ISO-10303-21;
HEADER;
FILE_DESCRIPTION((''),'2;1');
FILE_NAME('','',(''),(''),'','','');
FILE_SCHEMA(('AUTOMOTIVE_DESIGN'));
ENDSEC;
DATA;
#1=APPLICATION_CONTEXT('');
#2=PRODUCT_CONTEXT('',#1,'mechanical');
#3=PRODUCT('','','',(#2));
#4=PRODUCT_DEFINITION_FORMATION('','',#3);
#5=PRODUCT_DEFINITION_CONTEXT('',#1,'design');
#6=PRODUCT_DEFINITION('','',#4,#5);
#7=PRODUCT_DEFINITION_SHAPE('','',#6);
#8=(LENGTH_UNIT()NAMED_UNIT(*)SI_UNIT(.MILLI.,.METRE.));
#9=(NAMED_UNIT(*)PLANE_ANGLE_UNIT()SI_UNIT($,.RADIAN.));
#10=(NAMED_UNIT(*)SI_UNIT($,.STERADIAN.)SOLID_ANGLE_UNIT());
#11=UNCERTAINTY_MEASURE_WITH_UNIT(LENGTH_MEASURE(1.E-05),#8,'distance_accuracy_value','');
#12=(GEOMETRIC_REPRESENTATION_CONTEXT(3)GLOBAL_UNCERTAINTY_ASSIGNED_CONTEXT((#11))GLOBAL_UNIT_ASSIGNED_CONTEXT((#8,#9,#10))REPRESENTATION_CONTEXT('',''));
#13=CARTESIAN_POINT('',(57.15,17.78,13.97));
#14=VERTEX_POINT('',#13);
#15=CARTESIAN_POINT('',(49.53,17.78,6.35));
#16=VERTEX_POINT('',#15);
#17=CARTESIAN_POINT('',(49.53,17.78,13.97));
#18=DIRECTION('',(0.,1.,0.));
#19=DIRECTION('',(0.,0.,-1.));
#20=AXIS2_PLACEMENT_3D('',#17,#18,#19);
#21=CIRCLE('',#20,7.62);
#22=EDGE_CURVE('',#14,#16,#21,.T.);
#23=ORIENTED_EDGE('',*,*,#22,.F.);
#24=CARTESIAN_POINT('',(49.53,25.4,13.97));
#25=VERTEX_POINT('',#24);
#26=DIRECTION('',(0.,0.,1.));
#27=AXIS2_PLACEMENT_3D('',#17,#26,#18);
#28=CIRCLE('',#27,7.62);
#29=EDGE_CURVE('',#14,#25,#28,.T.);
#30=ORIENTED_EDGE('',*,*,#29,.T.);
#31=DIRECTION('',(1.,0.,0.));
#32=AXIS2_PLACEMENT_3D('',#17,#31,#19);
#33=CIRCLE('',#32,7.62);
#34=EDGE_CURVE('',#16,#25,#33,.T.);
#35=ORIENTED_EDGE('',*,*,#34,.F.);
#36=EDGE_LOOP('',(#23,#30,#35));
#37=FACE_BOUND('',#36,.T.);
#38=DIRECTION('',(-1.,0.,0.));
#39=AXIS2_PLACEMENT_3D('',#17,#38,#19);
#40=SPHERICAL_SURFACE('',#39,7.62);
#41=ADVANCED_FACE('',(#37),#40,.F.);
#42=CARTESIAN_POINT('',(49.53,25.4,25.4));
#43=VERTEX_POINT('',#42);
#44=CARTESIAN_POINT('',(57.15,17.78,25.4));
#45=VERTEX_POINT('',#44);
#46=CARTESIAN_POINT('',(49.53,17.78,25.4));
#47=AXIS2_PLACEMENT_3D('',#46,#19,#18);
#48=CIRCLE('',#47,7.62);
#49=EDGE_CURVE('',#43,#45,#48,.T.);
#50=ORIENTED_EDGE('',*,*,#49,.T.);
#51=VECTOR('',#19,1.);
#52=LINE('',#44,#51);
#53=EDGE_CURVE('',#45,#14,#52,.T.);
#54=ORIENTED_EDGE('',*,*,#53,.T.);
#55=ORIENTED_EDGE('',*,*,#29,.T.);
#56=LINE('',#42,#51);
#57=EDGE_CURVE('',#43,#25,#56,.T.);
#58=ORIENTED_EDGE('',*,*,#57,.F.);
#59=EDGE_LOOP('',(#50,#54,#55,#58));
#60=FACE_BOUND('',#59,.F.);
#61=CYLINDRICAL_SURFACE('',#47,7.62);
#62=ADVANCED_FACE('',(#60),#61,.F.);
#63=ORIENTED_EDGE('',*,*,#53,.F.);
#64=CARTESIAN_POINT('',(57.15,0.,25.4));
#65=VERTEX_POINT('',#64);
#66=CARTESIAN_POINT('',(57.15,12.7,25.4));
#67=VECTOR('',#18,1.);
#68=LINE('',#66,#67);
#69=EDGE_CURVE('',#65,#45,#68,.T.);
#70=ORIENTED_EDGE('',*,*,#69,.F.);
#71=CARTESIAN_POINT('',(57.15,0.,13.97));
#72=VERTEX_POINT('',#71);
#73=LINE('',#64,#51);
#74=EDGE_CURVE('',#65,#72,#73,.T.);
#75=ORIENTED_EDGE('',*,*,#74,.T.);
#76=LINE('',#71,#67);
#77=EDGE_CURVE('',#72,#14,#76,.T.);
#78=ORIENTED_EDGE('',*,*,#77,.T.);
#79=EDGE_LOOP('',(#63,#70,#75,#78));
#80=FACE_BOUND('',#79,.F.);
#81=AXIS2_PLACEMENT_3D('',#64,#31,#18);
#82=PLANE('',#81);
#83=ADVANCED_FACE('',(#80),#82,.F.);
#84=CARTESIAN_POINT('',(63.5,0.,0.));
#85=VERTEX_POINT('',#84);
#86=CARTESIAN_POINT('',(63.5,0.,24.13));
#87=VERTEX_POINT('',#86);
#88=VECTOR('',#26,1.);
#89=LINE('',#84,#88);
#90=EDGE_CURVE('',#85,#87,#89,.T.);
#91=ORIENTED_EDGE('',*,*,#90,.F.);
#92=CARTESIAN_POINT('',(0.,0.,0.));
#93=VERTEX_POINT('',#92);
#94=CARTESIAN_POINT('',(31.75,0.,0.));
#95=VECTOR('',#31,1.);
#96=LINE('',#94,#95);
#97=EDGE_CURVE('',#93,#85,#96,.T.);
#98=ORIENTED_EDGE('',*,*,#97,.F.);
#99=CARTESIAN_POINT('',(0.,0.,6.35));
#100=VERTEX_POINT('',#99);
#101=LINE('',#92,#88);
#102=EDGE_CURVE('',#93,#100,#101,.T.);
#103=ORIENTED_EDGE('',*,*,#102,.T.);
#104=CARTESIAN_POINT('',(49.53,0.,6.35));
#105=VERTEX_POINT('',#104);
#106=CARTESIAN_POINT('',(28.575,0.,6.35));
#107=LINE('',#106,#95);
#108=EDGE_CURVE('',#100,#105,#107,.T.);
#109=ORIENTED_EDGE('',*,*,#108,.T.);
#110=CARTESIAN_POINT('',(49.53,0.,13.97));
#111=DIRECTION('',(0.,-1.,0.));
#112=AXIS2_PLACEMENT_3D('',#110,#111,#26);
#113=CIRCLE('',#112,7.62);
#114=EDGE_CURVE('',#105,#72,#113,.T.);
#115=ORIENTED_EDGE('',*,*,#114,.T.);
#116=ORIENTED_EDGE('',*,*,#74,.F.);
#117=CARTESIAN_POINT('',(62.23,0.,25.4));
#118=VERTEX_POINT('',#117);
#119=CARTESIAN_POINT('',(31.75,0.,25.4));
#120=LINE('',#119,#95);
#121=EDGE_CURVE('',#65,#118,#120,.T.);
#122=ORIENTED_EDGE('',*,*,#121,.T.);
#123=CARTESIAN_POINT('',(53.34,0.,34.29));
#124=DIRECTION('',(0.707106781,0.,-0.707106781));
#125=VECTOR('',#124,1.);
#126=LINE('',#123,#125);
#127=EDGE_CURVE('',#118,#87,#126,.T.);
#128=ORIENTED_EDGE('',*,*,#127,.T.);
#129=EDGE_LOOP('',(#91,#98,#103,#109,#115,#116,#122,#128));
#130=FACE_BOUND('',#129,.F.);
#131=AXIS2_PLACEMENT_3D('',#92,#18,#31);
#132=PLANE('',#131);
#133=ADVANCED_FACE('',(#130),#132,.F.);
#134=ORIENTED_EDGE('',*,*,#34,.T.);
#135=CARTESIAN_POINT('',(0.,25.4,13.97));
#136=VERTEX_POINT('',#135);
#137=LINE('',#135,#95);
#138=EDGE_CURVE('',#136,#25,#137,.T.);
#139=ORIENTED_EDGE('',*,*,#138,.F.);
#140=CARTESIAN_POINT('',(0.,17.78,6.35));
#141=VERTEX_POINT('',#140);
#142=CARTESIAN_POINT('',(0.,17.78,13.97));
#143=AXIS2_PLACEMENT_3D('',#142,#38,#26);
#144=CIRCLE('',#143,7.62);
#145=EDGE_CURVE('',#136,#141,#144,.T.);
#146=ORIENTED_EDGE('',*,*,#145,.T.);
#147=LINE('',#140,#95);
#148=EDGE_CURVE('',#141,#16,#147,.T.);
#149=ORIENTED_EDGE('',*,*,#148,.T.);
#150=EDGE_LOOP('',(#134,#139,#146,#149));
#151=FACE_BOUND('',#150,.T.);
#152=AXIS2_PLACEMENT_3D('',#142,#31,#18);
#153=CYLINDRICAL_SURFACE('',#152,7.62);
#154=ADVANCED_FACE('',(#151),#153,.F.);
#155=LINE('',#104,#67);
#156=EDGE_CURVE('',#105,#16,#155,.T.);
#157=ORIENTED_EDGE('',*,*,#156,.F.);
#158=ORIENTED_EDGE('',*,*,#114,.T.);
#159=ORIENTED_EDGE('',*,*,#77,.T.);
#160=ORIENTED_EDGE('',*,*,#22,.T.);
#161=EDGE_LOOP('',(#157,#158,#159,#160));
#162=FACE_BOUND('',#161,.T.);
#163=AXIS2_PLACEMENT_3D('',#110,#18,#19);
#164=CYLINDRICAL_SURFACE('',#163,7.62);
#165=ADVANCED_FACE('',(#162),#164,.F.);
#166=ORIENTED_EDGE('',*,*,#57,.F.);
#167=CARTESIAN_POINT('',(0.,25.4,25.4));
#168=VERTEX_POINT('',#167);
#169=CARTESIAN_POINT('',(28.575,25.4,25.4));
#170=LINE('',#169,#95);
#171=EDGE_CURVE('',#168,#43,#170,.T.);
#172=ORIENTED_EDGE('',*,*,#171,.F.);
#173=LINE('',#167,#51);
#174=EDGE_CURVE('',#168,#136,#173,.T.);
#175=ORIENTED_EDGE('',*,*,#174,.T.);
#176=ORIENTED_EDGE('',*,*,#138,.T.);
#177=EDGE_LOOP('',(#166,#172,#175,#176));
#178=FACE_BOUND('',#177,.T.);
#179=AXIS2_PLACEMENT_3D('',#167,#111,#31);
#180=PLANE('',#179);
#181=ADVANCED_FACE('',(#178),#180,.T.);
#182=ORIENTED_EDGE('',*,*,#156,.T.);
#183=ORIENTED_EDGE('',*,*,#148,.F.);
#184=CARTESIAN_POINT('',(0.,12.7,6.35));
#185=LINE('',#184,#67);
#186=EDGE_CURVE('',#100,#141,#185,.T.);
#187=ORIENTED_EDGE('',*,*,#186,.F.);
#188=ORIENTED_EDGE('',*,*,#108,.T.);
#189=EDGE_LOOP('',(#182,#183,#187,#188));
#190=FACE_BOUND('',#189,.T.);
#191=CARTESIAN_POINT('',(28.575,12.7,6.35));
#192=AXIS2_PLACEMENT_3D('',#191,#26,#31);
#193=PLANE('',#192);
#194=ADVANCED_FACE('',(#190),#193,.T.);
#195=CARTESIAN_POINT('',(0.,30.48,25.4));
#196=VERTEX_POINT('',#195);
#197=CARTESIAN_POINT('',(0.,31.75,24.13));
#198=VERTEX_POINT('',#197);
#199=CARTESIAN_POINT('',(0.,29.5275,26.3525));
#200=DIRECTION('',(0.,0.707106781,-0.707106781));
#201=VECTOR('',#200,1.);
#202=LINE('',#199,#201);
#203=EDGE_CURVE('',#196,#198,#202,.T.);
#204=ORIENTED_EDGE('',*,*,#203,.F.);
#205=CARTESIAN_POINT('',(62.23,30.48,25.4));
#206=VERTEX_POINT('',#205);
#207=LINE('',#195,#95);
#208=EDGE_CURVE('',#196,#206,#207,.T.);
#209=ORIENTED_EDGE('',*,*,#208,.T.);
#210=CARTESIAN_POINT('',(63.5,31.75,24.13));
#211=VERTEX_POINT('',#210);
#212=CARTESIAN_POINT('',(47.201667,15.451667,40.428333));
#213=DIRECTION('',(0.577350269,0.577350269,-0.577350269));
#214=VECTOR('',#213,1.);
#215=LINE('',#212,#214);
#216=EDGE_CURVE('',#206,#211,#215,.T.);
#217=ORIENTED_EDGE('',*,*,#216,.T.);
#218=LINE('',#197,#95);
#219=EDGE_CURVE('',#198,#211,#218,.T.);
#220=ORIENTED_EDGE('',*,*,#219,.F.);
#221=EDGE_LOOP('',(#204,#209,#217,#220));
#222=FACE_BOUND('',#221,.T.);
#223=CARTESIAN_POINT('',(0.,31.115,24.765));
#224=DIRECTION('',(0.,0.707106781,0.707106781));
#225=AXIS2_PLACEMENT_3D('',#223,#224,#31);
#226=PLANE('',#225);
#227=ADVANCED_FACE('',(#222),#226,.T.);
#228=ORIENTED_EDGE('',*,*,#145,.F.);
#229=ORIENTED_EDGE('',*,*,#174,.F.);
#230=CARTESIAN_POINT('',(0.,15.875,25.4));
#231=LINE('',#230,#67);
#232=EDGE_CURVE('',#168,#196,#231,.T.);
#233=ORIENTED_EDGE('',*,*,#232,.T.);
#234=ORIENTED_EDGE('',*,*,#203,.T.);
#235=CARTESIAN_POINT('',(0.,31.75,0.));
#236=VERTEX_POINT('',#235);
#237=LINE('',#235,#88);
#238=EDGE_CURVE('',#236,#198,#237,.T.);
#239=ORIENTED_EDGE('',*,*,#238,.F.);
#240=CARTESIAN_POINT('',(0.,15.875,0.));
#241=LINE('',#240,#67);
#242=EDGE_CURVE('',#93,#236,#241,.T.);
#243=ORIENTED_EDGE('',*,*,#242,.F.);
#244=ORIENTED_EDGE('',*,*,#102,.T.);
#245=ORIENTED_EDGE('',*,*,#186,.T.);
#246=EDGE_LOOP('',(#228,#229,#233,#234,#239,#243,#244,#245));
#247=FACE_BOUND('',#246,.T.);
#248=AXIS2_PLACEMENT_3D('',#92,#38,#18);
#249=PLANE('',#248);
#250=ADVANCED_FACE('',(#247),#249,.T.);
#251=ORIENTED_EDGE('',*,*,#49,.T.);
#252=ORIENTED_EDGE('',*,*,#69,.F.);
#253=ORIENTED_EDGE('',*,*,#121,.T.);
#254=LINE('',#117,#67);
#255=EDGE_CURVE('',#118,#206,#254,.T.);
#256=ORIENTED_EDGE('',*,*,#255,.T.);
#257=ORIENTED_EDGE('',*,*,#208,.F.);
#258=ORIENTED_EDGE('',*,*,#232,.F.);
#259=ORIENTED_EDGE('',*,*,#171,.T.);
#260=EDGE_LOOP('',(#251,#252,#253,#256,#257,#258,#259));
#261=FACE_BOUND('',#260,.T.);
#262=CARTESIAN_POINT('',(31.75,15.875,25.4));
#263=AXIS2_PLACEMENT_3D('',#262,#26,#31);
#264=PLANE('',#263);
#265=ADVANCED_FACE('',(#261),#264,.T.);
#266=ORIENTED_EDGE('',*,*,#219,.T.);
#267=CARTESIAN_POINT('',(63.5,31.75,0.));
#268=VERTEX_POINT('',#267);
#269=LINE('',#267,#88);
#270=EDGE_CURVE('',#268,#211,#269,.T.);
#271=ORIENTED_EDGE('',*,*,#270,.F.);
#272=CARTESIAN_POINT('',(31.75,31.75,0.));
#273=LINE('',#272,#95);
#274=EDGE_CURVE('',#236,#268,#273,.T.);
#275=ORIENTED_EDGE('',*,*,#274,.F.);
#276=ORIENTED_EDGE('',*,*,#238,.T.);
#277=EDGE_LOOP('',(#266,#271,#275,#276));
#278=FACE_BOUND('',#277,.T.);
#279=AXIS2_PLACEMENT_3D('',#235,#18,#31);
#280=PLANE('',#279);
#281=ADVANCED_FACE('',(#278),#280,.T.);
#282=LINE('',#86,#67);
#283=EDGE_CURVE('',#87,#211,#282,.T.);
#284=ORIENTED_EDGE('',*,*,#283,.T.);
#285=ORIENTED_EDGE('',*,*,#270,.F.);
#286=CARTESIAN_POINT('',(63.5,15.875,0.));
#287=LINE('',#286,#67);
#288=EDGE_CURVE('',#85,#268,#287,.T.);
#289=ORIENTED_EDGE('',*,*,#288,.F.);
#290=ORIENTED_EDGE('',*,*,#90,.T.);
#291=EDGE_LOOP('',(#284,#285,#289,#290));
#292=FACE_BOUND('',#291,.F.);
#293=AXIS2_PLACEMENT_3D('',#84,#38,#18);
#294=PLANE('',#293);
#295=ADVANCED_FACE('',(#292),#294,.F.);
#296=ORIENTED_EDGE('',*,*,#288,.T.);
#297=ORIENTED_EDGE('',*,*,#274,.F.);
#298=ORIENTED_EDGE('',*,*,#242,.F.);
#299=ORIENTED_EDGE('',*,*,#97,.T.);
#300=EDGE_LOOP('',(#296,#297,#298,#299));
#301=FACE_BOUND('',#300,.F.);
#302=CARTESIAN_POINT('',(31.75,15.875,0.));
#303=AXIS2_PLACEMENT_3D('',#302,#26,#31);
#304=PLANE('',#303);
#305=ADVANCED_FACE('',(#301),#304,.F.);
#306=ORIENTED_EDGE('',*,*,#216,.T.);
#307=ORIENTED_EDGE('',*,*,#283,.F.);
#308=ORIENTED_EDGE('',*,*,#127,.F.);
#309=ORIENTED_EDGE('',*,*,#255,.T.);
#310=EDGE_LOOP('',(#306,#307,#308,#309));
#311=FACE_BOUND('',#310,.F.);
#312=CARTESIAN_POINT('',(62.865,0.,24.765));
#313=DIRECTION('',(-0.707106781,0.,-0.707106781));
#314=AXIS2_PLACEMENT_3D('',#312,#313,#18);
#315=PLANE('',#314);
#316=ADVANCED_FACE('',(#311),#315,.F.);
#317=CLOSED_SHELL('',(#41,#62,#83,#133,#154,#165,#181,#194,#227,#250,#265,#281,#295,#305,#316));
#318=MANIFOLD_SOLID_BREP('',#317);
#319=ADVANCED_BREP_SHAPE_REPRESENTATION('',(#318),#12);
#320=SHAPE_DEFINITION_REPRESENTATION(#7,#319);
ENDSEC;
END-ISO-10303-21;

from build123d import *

# Parameters (mm, degrees)
F0_W     = 63.5
F0_H     = 31.75
F1_DEPTH = 25.4
F2_W     = 57.15
F2_H     = 25.4
F3_DEPTH = 19.05
F4_R     = 7.62
F5_SIZE  = 1.27


with BuildPart() as f1:
    # F0 (on Top) → F1 (new body)
    with BuildSketch(Plane.XY):
        with Locations((31.75, 15.875)):
            Rectangle(F0_W, F0_H)
    extrude(amount=F1_DEPTH)

    # F2 (on face) → F3 (cut)
    with BuildSketch(Plane.XY.offset(25.4)):
        with Locations((28.575, 12.7)):
            Rectangle(F2_W, F2_H)
    extrude(amount=-F3_DEPTH, mode=Mode.SUBTRACT)

    # F4
    f4_edges = [f1.edges().sort_by_distance(p)[0] for p in [
        (28.575, 25.4, 6.35),
        (57.15, 12.7, 6.35),
        (57.15, 25.4, 15.875),
    ]]
    fillet(f4_edges, radius=F4_R)

    # F5
    f5_edges = [f1.edges().sort_by_distance(p)[0] for p in [
        (63.5, 15.875, 25.4),
        (31.75, 31.75, 25.4),
    ]]
    chamfer(f5_edges, length=F5_SIZE)


solid = f1.part
